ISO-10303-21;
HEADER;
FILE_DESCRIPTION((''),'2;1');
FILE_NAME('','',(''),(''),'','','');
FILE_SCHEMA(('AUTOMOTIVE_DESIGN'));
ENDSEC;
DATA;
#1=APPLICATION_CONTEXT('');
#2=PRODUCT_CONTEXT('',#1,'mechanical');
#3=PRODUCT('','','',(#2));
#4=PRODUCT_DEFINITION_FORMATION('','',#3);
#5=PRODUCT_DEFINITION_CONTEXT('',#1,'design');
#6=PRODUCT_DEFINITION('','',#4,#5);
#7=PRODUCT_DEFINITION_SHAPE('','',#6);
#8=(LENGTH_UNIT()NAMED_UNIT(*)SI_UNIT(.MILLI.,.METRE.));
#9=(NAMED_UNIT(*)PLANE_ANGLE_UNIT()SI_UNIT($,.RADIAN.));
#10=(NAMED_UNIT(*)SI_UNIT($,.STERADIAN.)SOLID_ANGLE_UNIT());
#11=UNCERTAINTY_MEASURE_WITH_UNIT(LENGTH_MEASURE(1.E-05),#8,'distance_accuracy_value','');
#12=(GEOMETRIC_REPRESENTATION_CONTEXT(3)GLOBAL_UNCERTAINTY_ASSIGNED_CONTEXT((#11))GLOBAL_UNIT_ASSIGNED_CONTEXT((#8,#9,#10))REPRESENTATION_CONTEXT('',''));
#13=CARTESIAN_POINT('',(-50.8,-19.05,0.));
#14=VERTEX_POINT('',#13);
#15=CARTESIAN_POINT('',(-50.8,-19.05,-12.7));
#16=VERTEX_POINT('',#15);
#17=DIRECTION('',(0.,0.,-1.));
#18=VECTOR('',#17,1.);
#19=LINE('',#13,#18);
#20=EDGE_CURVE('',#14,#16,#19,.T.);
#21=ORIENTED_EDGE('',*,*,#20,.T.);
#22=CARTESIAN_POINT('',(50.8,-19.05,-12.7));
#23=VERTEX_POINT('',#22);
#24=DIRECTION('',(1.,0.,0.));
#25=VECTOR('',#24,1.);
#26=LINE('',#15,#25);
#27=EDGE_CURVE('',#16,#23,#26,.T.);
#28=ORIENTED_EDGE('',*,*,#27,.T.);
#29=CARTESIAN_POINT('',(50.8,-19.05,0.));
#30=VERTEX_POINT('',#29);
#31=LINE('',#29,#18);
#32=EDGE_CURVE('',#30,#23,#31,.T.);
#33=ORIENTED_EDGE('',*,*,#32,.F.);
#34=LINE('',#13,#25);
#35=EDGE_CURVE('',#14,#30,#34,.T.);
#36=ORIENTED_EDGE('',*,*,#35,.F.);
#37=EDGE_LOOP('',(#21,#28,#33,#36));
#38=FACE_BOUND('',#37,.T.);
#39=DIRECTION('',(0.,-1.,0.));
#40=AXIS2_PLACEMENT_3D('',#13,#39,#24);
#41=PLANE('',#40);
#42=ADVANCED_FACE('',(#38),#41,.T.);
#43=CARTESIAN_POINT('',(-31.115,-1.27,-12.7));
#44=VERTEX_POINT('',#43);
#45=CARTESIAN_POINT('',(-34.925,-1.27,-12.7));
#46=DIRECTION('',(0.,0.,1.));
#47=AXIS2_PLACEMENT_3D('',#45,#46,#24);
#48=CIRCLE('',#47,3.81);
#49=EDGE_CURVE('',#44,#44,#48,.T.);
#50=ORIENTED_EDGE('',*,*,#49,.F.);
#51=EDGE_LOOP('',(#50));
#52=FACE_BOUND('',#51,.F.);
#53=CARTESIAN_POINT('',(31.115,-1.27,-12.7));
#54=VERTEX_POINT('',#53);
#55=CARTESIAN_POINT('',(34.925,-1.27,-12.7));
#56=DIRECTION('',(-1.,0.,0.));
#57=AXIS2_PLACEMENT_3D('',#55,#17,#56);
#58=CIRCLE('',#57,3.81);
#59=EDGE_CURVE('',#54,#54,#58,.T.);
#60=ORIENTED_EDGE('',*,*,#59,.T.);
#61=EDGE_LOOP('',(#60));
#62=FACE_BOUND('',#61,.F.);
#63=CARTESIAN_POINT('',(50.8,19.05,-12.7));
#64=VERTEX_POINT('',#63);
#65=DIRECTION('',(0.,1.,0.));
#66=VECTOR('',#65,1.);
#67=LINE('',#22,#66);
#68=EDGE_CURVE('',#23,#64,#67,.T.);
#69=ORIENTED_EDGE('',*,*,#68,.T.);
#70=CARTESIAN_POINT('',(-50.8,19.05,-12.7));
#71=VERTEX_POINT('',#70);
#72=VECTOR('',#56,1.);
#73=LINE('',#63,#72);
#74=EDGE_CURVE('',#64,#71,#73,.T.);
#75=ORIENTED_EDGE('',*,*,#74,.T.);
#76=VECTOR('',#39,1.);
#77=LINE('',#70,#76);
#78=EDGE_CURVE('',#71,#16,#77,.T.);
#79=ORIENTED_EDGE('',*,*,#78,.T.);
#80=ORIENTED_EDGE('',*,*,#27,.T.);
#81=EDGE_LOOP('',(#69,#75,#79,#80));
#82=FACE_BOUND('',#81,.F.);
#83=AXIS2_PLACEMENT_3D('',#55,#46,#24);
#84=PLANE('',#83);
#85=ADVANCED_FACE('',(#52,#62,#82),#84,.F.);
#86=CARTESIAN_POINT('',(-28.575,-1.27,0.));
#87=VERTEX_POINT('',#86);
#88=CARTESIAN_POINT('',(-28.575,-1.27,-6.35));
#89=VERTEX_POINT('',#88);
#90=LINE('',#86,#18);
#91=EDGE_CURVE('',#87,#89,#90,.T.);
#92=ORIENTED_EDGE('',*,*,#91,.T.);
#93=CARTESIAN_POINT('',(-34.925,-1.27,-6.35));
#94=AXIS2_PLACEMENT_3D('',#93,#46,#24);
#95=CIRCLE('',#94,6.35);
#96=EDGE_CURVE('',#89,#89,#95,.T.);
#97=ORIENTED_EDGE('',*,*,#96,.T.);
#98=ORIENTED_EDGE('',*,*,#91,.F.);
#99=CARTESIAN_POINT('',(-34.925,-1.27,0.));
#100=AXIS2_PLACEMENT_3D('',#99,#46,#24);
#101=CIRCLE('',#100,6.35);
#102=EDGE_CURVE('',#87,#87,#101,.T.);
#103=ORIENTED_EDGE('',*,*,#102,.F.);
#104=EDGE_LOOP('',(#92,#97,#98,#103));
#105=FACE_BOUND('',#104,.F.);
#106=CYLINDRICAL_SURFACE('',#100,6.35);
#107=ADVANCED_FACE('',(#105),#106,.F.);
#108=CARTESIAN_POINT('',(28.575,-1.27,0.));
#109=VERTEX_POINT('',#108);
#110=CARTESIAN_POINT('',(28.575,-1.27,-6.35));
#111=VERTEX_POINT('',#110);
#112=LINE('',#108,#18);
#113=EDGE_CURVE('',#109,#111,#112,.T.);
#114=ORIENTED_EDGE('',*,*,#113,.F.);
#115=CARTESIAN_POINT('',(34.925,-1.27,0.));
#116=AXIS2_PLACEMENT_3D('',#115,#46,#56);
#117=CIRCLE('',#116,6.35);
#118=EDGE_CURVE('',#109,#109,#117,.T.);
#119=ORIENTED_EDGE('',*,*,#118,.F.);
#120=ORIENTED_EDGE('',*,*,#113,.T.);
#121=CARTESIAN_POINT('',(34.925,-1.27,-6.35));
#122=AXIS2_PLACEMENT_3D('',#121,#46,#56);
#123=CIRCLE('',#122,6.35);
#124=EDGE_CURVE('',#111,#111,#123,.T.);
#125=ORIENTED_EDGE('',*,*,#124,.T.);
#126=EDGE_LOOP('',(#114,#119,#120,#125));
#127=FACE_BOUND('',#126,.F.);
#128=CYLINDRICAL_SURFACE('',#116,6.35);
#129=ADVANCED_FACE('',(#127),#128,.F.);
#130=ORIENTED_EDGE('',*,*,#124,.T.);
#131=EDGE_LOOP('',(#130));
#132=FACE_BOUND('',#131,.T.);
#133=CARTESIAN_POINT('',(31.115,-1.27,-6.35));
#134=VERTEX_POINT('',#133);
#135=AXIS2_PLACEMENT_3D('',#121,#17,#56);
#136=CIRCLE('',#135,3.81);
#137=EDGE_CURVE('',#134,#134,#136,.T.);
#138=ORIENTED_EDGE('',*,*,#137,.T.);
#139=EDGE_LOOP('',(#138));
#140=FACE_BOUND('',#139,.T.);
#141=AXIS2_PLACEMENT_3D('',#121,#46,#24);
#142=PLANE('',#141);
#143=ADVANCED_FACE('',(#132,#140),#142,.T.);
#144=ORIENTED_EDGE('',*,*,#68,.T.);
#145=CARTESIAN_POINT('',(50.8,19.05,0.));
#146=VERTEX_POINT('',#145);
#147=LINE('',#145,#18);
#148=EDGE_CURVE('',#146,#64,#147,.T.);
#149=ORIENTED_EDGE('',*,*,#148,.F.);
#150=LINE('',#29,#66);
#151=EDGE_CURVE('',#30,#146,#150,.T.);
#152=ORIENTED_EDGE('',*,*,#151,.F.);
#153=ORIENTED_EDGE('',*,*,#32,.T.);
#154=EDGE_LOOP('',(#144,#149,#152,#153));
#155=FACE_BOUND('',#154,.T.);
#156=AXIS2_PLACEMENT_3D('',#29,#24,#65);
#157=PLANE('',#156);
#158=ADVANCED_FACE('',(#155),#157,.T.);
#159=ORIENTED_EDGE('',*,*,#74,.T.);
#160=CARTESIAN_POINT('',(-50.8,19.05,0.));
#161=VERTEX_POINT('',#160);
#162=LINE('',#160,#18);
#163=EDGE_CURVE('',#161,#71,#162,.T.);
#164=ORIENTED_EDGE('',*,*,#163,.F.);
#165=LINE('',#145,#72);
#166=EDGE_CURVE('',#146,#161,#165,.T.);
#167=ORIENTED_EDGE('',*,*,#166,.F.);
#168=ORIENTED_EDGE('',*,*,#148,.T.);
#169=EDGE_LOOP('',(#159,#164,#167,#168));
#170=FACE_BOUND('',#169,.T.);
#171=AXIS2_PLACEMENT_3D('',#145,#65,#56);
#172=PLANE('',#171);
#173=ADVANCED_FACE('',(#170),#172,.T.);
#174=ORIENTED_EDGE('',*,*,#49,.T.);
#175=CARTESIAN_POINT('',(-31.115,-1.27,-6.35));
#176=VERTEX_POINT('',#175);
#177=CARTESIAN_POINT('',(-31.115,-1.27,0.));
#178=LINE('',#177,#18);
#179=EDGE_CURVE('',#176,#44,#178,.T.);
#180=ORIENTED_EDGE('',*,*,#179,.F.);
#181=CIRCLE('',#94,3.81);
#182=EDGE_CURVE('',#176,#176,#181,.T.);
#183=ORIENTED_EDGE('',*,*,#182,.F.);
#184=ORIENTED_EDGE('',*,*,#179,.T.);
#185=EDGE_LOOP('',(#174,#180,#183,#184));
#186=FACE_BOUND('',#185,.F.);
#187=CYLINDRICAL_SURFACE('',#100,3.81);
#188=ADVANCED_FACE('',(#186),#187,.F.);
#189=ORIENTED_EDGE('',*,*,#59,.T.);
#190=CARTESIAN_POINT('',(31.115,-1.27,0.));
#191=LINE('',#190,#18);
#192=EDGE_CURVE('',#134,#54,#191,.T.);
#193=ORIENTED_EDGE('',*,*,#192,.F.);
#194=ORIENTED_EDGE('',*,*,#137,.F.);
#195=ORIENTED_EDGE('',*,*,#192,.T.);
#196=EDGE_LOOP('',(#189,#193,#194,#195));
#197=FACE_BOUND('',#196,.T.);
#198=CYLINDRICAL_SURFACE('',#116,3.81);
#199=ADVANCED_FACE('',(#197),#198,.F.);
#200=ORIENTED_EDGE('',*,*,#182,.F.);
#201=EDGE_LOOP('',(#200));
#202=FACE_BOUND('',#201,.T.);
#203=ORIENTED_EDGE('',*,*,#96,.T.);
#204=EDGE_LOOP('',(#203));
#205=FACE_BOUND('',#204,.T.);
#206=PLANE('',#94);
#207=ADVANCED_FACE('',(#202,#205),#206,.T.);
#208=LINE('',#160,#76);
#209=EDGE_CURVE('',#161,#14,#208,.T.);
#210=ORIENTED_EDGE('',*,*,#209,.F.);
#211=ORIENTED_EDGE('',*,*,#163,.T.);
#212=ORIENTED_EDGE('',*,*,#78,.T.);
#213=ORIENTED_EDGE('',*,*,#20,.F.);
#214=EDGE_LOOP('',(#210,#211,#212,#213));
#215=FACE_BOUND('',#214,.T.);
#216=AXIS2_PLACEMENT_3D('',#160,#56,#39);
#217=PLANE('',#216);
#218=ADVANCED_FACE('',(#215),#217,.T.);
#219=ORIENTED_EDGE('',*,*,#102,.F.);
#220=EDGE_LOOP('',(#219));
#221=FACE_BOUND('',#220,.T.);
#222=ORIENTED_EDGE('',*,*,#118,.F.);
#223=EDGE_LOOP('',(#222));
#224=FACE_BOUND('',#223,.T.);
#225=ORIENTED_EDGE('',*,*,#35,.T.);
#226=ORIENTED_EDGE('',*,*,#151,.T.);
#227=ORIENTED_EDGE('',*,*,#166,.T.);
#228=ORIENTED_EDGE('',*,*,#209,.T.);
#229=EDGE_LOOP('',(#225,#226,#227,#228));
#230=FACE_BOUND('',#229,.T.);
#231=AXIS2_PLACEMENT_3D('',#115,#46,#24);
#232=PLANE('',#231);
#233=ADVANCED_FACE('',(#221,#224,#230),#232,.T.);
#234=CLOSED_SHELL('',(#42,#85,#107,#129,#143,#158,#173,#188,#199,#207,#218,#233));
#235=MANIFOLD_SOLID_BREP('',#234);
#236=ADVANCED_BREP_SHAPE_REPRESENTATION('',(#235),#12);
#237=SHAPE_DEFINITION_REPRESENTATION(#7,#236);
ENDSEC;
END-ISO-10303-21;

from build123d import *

# Parameters (mm, degrees)
F0_R     = 3.81
F0_R_2   = 6.35
F1_DEPTH = 12.7
F2_DEPTH = 6.35


with BuildPart() as f1:
    # F0 (on Top) → F1 (new body)
    with BuildSketch(Plane.XY):
        with BuildLine():
            ThreePointArc((38.735, -1.27), (34.925, 2.54), (31.115, -1.27))
            ThreePointArc((31.115, -1.27), (34.925, -5.08), (38.735, -1.27))
        make_face()
        with Locations((-34.925, -1.27)):
            Circle(F0_R)
        Polygon((-50.8, -19.05), (50.8, -19.05), (50.8, 19.05), (0, 19.05), (-50.8, 19.05), align=None)
        with Locations((-34.925, -1.27)):
            Circle(F0_R_2, mode=Mode.SUBTRACT)
        with BuildLine():
            ThreePointArc((41.275, -1.27), (34.925, -7.62), (28.575, -1.27))
            ThreePointArc((28.575, -1.27), (34.925, 5.08), (41.275, -1.27))
        make_face(mode=Mode.SUBTRACT)
        with BuildLine():
            ThreePointArc((41.275, -1.27), (34.925, 5.08), (28.575, -1.27))
            ThreePointArc((28.575, -1.27), (34.925, -7.62), (41.275, -1.27))
        make_face()
        with BuildLine():
            ThreePointArc((38.735, -1.27), (34.925, -5.08), (31.115, -1.27))
            ThreePointArc((31.115, -1.27), (34.925, 2.54), (38.735, -1.27))
        make_face(mode=Mode.SUBTRACT)
        with Locations((-34.925, -1.27)):
            Circle(F0_R_2)
        with Locations((-34.925, -1.27)):
            Circle(F0_R, mode=Mode.SUBTRACT)
    extrude(amount=-F1_DEPTH)

    # F0 (on Top) → F2 (cut)
    with BuildSketch(Plane.XY):
        with Locations((-34.925, -1.27)):
            Circle(F0_R_2)
        with Locations((-34.925, -1.27)):
            Circle(F0_R, mode=Mode.SUBTRACT)
        with BuildLine():
            ThreePointArc((41.275, -1.27), (34.925, 5.08), (28.575, -1.27))
            ThreePointArc((28.575, -1.27), (34.925, -7.62), (41.275, -1.27))
        make_face()
        with BuildLine():
            ThreePointArc((38.735, -1.27), (34.925, -5.08), (31.115, -1.27))
            ThreePointArc((31.115, -1.27), (34.925, 2.54), (38.735, -1.27))
        make_face(mode=Mode.SUBTRACT)
    extrude(amount=-F2_DEPTH, mode=Mode.SUBTRACT)


solid = f1.part
